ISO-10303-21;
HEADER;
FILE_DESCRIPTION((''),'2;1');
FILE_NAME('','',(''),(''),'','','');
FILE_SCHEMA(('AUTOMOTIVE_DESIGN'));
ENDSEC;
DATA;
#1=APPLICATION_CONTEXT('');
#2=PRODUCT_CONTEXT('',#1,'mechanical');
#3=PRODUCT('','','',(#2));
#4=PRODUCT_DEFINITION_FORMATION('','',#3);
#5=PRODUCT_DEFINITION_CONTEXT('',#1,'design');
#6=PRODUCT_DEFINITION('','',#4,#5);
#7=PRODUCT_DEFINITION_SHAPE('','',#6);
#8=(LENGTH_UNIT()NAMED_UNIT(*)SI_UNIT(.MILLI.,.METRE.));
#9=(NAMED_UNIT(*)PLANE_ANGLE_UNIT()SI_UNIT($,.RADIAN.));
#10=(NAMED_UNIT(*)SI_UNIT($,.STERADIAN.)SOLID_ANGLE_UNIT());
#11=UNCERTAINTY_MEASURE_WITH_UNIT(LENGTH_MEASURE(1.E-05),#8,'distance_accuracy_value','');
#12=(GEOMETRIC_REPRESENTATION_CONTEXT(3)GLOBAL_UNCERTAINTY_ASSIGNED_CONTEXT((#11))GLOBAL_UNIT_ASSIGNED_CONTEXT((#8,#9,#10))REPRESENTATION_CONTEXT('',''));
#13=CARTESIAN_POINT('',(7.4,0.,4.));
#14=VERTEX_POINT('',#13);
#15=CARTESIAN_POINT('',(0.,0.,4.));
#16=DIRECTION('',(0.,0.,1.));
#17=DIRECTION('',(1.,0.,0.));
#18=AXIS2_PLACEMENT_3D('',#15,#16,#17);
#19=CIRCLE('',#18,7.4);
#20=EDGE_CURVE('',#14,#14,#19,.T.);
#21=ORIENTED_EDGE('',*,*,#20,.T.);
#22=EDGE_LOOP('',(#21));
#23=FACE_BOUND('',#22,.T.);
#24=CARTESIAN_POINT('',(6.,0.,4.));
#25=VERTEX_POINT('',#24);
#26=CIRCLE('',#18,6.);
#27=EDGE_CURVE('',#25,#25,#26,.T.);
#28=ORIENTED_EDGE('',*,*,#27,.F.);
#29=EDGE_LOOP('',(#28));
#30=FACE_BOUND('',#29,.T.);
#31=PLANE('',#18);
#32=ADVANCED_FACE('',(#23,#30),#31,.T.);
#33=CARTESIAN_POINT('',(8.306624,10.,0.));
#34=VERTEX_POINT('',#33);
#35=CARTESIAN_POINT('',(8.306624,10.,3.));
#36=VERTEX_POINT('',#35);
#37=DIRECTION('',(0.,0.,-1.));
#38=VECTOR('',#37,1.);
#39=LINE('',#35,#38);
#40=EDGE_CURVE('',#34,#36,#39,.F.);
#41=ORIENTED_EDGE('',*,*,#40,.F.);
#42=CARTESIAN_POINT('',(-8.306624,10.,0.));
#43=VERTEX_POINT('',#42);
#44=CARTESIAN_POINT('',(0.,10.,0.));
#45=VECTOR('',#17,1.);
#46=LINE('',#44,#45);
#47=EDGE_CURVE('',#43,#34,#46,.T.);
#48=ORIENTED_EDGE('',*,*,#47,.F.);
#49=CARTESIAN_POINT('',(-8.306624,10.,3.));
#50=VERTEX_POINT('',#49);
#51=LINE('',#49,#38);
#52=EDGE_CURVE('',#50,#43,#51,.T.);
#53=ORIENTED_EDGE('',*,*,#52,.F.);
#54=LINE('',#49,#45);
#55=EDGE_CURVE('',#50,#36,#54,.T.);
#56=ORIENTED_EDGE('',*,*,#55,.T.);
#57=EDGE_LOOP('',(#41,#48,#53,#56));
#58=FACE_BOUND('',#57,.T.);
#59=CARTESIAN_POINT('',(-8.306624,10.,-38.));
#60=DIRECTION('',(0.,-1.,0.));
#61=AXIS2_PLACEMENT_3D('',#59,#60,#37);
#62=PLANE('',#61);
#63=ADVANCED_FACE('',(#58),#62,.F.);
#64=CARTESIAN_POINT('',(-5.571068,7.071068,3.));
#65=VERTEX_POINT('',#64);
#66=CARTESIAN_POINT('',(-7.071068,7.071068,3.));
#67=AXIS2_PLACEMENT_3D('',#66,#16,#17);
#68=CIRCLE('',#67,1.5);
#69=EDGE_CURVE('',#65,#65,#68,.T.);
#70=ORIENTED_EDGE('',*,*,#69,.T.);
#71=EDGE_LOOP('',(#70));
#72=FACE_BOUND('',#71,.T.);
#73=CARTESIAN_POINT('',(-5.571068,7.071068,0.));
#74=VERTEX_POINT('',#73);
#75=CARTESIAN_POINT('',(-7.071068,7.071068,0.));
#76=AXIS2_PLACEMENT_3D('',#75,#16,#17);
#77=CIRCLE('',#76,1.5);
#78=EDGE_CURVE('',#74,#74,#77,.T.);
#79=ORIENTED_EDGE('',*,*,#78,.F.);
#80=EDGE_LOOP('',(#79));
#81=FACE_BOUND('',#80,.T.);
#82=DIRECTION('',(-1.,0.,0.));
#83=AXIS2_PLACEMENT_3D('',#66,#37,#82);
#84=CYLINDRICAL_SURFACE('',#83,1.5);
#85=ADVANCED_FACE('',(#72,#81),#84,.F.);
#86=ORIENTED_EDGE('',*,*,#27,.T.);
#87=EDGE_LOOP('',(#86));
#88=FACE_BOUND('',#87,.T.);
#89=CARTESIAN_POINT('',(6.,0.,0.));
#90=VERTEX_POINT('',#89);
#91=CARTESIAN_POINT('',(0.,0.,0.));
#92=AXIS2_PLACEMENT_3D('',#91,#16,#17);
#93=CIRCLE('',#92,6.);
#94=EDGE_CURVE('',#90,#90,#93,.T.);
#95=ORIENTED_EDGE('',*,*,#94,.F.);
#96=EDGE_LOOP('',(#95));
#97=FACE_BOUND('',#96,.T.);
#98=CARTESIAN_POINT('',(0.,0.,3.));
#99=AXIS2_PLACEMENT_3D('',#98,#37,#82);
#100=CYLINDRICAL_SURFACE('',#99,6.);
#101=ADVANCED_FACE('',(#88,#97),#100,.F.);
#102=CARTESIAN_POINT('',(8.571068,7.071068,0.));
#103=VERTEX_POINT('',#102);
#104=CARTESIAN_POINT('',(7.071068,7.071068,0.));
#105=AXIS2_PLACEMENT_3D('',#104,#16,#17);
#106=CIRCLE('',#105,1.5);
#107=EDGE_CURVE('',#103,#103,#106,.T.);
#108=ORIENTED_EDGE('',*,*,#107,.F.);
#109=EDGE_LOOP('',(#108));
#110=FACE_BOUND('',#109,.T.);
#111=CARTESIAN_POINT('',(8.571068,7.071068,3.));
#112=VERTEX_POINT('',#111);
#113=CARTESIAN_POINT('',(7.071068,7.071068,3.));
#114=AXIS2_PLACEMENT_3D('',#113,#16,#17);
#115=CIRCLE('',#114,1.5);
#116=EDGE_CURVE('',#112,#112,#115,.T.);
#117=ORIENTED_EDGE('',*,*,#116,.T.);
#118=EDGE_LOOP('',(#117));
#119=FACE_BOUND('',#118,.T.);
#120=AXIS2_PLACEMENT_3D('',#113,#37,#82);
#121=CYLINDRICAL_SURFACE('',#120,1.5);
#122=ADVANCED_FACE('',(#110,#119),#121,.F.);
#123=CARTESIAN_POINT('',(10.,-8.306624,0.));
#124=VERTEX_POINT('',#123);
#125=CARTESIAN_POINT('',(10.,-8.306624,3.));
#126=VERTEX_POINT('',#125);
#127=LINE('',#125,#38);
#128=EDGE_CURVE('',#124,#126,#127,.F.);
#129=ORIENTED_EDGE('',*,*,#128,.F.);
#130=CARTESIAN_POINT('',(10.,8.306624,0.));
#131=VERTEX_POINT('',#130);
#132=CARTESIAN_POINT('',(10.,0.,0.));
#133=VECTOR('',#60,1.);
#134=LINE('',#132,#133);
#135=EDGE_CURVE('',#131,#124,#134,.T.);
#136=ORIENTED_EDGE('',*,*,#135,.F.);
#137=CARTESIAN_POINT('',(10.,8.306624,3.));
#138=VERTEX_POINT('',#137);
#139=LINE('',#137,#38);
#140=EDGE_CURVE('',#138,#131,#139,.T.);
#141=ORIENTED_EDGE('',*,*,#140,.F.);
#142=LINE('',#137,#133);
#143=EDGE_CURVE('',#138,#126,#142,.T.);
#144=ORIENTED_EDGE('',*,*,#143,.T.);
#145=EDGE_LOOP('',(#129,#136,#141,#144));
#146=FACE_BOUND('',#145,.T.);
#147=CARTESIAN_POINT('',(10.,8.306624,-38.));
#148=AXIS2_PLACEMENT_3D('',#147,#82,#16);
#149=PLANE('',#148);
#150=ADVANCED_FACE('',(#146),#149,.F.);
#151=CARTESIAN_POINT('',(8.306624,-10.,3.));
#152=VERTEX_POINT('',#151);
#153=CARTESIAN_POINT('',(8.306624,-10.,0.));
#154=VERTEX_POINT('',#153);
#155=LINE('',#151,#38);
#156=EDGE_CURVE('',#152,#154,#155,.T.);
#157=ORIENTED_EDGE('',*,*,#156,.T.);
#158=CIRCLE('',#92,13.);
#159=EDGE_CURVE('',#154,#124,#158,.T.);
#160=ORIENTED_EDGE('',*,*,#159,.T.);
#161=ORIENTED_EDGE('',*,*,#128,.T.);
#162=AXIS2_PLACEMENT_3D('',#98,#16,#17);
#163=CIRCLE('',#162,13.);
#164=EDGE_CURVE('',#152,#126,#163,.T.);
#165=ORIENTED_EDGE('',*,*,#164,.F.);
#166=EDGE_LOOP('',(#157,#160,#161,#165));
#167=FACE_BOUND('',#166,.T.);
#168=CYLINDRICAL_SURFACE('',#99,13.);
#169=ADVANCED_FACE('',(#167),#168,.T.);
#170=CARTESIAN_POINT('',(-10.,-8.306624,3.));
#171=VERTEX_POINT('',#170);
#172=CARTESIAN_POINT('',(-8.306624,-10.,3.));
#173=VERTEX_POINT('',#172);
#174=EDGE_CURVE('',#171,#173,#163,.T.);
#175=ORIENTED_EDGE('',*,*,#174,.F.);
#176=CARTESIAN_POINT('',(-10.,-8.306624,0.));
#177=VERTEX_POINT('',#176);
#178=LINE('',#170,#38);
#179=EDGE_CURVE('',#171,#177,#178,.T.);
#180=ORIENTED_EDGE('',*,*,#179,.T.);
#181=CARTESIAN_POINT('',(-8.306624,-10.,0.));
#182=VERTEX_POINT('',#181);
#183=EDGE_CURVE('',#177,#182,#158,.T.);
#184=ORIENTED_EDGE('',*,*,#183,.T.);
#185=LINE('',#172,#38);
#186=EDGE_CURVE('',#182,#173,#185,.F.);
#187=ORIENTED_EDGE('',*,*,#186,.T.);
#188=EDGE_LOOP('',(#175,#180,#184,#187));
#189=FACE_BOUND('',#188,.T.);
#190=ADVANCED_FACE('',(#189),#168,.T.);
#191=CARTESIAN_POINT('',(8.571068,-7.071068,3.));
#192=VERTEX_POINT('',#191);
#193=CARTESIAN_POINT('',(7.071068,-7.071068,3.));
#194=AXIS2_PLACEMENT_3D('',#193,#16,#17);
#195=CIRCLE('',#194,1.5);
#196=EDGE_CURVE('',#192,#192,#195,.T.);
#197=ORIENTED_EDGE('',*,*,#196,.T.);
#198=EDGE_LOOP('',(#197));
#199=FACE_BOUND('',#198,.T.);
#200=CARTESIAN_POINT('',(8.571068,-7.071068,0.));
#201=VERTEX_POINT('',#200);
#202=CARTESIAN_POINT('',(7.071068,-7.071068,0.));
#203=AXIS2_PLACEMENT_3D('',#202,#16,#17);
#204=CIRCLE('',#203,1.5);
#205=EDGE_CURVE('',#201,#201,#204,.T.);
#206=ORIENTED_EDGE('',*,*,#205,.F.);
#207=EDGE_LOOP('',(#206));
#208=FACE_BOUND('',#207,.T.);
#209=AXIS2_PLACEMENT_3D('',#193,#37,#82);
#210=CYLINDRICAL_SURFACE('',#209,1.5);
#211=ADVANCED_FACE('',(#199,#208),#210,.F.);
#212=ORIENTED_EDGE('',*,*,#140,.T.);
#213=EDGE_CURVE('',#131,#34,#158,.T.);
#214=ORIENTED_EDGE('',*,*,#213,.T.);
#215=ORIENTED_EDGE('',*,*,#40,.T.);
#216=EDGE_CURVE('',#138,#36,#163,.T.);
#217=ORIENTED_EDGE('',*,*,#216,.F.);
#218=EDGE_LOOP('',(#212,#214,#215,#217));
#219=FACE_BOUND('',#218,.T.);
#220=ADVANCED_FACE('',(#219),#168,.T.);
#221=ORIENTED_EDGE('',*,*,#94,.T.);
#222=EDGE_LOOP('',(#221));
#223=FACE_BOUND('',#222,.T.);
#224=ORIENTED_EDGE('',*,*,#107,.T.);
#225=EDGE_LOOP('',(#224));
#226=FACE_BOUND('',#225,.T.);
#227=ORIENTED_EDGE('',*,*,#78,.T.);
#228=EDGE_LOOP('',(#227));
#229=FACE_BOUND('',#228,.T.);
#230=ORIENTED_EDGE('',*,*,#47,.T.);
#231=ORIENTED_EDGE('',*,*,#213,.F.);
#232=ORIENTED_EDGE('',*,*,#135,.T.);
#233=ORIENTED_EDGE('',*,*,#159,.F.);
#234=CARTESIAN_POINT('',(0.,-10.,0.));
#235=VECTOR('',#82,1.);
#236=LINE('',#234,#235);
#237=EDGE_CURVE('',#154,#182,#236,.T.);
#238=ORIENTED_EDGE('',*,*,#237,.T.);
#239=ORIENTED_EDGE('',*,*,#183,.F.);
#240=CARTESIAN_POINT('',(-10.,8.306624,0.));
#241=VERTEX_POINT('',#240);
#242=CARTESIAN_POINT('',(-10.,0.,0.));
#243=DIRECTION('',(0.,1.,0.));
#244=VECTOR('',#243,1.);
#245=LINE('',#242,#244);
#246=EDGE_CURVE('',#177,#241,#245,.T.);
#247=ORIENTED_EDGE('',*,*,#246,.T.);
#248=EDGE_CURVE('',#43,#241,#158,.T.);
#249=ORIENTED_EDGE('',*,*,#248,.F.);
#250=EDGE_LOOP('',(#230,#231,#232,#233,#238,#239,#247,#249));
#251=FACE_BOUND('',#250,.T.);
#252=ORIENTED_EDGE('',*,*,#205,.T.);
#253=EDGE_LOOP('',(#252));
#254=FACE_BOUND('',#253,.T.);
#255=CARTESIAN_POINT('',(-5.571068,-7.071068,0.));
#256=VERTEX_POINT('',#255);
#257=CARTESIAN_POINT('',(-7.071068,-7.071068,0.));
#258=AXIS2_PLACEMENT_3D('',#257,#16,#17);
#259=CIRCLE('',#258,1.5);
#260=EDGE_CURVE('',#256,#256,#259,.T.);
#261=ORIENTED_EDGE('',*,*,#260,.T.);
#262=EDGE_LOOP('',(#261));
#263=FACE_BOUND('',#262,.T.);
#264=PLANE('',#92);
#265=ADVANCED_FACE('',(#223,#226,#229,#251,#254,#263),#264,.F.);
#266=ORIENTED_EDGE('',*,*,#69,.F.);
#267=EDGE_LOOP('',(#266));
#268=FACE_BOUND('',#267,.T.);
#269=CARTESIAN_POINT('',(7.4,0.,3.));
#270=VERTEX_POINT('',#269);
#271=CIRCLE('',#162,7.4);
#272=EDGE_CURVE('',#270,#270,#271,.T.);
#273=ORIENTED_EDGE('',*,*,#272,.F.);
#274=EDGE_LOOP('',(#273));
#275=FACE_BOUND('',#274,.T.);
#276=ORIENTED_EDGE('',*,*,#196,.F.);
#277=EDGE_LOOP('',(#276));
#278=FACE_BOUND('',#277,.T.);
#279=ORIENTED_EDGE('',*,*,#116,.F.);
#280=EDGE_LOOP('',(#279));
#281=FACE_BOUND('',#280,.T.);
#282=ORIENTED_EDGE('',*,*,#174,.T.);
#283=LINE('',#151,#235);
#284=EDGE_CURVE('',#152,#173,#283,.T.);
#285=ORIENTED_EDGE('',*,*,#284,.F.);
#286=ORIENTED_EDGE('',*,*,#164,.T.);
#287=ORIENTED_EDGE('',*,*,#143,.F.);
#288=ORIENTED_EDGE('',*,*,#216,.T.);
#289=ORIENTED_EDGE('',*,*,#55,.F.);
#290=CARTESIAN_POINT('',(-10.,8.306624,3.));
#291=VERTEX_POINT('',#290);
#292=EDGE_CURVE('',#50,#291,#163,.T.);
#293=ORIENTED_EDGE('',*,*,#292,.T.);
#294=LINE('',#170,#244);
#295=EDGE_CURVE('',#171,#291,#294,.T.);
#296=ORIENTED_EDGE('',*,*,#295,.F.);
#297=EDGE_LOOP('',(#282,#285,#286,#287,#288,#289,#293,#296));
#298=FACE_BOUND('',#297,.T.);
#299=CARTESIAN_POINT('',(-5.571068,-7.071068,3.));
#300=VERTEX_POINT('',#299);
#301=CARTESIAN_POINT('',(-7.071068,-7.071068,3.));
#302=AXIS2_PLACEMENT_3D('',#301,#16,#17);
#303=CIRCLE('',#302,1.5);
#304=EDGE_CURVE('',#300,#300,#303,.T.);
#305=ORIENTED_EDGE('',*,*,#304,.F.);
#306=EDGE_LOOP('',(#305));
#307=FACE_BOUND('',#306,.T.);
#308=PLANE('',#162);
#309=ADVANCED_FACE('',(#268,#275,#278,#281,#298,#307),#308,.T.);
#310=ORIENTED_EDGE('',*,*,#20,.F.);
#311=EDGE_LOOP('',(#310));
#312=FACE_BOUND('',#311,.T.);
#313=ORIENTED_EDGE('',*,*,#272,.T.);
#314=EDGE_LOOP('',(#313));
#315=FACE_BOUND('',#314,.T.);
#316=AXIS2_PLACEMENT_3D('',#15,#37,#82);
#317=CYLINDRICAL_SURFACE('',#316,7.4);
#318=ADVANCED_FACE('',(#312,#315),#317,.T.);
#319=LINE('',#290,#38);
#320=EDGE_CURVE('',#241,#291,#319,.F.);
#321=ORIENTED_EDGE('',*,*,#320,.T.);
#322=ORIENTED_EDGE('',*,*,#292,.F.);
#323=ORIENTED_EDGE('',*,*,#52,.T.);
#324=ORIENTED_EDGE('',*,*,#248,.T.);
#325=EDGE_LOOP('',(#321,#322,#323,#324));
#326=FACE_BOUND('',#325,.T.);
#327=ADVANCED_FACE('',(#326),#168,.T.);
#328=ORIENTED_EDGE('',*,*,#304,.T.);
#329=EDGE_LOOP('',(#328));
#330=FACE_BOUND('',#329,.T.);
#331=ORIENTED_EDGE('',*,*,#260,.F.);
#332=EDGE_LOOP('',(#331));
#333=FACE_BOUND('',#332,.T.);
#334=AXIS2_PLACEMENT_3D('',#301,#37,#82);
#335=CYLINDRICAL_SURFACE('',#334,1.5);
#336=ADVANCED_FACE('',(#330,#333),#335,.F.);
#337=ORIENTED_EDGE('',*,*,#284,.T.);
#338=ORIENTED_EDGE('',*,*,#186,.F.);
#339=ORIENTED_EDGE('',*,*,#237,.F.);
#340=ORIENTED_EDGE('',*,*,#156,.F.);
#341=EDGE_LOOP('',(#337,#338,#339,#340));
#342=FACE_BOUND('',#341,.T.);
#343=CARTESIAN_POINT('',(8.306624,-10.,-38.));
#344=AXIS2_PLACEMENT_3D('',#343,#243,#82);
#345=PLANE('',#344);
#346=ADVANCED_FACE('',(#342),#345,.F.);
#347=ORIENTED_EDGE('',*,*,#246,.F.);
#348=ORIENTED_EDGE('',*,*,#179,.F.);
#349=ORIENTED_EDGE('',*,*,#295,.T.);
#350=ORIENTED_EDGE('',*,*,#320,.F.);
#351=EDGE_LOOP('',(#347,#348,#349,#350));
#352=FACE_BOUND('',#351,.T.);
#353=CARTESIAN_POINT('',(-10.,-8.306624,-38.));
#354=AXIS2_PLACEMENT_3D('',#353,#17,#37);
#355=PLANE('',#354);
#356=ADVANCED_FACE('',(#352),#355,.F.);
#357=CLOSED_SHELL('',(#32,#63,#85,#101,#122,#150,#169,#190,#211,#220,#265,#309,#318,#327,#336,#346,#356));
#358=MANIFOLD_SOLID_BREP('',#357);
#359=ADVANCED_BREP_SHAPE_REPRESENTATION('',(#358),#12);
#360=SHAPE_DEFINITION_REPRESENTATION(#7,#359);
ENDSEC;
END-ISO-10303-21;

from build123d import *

# Parameters (mm, degrees)
SKETCH_1_R          = 13
SKETCH_1_R_2        = 6
SKETCH_1_R_3        = 1.5
EXTRUDE_1_DEPTH     = 3
SKETCH_2_R          = 7.4
SKETCH_2_R_2        = 6
EXTRUDE_2_DEPTH     = 1
CUT_EXTRUDE_START   = -41
CUT_EXTRUDE_1_DEPTH = 41


with BuildPart() as part:
    # 草图1 → 凸台-拉伸1 (new body)
    with BuildSketch(Plane.XY):
        Circle(SKETCH_1_R)
        Circle(SKETCH_1_R_2, mode=Mode.SUBTRACT)
        with Locations((-7.071067812, 7.071067812)):
            Circle(SKETCH_1_R_3, mode=Mode.SUBTRACT)
        with Locations((7.071067812, 7.071067812)):
            Circle(SKETCH_1_R_3, mode=Mode.SUBTRACT)
        with Locations((7.071067812, -7.071067812)):
            Circle(SKETCH_1_R_3, mode=Mode.SUBTRACT)
        with Locations((-7.071067812, -7.071067812)):
            Circle(SKETCH_1_R_3, mode=Mode.SUBTRACT)
    extrude(amount=EXTRUDE_1_DEPTH)

    # 草图2 → 凸台-拉伸2 (add)
    with BuildSketch(Plane.XY.offset(3)):
        Circle(SKETCH_2_R)
        Circle(SKETCH_2_R_2, mode=Mode.SUBTRACT)
    extrude(amount=EXTRUDE_2_DEPTH)

    # 草图3 → 切除-拉伸1 (cut)
    with BuildSketch(Plane.XY.offset(3).offset(CUT_EXTRUDE_START)):
        with BuildLine():
            Line((-8.306623863, 10), (8.306623863, 10))
            ThreePointArc((8.306623863, 10), (0, 13), (-8.306623863, 10))
        make_face()
        with BuildLine():
            Line((10, 8.306623863), (10, -8.306623863))
            ThreePointArc((10, -8.306623863), (13, 0), (10, 8.306623863))
        make_face()
        with BuildLine():
            Line((8.306623863, -10), (-8.306623863, -10))
            ThreePointArc((-8.306623863, -10), (0, -13), (8.306623863, -10))
        make_face()
        with BuildLine():
            Line((-10, -8.306623863), (-10, 8.306623863))
            ThreePointArc((-10, 8.306623863), (-13, 0), (-10, -8.306623863))
        make_face()
    extrude(amount=CUT_EXTRUDE_1_DEPTH, mode=Mode.SUBTRACT)


solid = part.part
